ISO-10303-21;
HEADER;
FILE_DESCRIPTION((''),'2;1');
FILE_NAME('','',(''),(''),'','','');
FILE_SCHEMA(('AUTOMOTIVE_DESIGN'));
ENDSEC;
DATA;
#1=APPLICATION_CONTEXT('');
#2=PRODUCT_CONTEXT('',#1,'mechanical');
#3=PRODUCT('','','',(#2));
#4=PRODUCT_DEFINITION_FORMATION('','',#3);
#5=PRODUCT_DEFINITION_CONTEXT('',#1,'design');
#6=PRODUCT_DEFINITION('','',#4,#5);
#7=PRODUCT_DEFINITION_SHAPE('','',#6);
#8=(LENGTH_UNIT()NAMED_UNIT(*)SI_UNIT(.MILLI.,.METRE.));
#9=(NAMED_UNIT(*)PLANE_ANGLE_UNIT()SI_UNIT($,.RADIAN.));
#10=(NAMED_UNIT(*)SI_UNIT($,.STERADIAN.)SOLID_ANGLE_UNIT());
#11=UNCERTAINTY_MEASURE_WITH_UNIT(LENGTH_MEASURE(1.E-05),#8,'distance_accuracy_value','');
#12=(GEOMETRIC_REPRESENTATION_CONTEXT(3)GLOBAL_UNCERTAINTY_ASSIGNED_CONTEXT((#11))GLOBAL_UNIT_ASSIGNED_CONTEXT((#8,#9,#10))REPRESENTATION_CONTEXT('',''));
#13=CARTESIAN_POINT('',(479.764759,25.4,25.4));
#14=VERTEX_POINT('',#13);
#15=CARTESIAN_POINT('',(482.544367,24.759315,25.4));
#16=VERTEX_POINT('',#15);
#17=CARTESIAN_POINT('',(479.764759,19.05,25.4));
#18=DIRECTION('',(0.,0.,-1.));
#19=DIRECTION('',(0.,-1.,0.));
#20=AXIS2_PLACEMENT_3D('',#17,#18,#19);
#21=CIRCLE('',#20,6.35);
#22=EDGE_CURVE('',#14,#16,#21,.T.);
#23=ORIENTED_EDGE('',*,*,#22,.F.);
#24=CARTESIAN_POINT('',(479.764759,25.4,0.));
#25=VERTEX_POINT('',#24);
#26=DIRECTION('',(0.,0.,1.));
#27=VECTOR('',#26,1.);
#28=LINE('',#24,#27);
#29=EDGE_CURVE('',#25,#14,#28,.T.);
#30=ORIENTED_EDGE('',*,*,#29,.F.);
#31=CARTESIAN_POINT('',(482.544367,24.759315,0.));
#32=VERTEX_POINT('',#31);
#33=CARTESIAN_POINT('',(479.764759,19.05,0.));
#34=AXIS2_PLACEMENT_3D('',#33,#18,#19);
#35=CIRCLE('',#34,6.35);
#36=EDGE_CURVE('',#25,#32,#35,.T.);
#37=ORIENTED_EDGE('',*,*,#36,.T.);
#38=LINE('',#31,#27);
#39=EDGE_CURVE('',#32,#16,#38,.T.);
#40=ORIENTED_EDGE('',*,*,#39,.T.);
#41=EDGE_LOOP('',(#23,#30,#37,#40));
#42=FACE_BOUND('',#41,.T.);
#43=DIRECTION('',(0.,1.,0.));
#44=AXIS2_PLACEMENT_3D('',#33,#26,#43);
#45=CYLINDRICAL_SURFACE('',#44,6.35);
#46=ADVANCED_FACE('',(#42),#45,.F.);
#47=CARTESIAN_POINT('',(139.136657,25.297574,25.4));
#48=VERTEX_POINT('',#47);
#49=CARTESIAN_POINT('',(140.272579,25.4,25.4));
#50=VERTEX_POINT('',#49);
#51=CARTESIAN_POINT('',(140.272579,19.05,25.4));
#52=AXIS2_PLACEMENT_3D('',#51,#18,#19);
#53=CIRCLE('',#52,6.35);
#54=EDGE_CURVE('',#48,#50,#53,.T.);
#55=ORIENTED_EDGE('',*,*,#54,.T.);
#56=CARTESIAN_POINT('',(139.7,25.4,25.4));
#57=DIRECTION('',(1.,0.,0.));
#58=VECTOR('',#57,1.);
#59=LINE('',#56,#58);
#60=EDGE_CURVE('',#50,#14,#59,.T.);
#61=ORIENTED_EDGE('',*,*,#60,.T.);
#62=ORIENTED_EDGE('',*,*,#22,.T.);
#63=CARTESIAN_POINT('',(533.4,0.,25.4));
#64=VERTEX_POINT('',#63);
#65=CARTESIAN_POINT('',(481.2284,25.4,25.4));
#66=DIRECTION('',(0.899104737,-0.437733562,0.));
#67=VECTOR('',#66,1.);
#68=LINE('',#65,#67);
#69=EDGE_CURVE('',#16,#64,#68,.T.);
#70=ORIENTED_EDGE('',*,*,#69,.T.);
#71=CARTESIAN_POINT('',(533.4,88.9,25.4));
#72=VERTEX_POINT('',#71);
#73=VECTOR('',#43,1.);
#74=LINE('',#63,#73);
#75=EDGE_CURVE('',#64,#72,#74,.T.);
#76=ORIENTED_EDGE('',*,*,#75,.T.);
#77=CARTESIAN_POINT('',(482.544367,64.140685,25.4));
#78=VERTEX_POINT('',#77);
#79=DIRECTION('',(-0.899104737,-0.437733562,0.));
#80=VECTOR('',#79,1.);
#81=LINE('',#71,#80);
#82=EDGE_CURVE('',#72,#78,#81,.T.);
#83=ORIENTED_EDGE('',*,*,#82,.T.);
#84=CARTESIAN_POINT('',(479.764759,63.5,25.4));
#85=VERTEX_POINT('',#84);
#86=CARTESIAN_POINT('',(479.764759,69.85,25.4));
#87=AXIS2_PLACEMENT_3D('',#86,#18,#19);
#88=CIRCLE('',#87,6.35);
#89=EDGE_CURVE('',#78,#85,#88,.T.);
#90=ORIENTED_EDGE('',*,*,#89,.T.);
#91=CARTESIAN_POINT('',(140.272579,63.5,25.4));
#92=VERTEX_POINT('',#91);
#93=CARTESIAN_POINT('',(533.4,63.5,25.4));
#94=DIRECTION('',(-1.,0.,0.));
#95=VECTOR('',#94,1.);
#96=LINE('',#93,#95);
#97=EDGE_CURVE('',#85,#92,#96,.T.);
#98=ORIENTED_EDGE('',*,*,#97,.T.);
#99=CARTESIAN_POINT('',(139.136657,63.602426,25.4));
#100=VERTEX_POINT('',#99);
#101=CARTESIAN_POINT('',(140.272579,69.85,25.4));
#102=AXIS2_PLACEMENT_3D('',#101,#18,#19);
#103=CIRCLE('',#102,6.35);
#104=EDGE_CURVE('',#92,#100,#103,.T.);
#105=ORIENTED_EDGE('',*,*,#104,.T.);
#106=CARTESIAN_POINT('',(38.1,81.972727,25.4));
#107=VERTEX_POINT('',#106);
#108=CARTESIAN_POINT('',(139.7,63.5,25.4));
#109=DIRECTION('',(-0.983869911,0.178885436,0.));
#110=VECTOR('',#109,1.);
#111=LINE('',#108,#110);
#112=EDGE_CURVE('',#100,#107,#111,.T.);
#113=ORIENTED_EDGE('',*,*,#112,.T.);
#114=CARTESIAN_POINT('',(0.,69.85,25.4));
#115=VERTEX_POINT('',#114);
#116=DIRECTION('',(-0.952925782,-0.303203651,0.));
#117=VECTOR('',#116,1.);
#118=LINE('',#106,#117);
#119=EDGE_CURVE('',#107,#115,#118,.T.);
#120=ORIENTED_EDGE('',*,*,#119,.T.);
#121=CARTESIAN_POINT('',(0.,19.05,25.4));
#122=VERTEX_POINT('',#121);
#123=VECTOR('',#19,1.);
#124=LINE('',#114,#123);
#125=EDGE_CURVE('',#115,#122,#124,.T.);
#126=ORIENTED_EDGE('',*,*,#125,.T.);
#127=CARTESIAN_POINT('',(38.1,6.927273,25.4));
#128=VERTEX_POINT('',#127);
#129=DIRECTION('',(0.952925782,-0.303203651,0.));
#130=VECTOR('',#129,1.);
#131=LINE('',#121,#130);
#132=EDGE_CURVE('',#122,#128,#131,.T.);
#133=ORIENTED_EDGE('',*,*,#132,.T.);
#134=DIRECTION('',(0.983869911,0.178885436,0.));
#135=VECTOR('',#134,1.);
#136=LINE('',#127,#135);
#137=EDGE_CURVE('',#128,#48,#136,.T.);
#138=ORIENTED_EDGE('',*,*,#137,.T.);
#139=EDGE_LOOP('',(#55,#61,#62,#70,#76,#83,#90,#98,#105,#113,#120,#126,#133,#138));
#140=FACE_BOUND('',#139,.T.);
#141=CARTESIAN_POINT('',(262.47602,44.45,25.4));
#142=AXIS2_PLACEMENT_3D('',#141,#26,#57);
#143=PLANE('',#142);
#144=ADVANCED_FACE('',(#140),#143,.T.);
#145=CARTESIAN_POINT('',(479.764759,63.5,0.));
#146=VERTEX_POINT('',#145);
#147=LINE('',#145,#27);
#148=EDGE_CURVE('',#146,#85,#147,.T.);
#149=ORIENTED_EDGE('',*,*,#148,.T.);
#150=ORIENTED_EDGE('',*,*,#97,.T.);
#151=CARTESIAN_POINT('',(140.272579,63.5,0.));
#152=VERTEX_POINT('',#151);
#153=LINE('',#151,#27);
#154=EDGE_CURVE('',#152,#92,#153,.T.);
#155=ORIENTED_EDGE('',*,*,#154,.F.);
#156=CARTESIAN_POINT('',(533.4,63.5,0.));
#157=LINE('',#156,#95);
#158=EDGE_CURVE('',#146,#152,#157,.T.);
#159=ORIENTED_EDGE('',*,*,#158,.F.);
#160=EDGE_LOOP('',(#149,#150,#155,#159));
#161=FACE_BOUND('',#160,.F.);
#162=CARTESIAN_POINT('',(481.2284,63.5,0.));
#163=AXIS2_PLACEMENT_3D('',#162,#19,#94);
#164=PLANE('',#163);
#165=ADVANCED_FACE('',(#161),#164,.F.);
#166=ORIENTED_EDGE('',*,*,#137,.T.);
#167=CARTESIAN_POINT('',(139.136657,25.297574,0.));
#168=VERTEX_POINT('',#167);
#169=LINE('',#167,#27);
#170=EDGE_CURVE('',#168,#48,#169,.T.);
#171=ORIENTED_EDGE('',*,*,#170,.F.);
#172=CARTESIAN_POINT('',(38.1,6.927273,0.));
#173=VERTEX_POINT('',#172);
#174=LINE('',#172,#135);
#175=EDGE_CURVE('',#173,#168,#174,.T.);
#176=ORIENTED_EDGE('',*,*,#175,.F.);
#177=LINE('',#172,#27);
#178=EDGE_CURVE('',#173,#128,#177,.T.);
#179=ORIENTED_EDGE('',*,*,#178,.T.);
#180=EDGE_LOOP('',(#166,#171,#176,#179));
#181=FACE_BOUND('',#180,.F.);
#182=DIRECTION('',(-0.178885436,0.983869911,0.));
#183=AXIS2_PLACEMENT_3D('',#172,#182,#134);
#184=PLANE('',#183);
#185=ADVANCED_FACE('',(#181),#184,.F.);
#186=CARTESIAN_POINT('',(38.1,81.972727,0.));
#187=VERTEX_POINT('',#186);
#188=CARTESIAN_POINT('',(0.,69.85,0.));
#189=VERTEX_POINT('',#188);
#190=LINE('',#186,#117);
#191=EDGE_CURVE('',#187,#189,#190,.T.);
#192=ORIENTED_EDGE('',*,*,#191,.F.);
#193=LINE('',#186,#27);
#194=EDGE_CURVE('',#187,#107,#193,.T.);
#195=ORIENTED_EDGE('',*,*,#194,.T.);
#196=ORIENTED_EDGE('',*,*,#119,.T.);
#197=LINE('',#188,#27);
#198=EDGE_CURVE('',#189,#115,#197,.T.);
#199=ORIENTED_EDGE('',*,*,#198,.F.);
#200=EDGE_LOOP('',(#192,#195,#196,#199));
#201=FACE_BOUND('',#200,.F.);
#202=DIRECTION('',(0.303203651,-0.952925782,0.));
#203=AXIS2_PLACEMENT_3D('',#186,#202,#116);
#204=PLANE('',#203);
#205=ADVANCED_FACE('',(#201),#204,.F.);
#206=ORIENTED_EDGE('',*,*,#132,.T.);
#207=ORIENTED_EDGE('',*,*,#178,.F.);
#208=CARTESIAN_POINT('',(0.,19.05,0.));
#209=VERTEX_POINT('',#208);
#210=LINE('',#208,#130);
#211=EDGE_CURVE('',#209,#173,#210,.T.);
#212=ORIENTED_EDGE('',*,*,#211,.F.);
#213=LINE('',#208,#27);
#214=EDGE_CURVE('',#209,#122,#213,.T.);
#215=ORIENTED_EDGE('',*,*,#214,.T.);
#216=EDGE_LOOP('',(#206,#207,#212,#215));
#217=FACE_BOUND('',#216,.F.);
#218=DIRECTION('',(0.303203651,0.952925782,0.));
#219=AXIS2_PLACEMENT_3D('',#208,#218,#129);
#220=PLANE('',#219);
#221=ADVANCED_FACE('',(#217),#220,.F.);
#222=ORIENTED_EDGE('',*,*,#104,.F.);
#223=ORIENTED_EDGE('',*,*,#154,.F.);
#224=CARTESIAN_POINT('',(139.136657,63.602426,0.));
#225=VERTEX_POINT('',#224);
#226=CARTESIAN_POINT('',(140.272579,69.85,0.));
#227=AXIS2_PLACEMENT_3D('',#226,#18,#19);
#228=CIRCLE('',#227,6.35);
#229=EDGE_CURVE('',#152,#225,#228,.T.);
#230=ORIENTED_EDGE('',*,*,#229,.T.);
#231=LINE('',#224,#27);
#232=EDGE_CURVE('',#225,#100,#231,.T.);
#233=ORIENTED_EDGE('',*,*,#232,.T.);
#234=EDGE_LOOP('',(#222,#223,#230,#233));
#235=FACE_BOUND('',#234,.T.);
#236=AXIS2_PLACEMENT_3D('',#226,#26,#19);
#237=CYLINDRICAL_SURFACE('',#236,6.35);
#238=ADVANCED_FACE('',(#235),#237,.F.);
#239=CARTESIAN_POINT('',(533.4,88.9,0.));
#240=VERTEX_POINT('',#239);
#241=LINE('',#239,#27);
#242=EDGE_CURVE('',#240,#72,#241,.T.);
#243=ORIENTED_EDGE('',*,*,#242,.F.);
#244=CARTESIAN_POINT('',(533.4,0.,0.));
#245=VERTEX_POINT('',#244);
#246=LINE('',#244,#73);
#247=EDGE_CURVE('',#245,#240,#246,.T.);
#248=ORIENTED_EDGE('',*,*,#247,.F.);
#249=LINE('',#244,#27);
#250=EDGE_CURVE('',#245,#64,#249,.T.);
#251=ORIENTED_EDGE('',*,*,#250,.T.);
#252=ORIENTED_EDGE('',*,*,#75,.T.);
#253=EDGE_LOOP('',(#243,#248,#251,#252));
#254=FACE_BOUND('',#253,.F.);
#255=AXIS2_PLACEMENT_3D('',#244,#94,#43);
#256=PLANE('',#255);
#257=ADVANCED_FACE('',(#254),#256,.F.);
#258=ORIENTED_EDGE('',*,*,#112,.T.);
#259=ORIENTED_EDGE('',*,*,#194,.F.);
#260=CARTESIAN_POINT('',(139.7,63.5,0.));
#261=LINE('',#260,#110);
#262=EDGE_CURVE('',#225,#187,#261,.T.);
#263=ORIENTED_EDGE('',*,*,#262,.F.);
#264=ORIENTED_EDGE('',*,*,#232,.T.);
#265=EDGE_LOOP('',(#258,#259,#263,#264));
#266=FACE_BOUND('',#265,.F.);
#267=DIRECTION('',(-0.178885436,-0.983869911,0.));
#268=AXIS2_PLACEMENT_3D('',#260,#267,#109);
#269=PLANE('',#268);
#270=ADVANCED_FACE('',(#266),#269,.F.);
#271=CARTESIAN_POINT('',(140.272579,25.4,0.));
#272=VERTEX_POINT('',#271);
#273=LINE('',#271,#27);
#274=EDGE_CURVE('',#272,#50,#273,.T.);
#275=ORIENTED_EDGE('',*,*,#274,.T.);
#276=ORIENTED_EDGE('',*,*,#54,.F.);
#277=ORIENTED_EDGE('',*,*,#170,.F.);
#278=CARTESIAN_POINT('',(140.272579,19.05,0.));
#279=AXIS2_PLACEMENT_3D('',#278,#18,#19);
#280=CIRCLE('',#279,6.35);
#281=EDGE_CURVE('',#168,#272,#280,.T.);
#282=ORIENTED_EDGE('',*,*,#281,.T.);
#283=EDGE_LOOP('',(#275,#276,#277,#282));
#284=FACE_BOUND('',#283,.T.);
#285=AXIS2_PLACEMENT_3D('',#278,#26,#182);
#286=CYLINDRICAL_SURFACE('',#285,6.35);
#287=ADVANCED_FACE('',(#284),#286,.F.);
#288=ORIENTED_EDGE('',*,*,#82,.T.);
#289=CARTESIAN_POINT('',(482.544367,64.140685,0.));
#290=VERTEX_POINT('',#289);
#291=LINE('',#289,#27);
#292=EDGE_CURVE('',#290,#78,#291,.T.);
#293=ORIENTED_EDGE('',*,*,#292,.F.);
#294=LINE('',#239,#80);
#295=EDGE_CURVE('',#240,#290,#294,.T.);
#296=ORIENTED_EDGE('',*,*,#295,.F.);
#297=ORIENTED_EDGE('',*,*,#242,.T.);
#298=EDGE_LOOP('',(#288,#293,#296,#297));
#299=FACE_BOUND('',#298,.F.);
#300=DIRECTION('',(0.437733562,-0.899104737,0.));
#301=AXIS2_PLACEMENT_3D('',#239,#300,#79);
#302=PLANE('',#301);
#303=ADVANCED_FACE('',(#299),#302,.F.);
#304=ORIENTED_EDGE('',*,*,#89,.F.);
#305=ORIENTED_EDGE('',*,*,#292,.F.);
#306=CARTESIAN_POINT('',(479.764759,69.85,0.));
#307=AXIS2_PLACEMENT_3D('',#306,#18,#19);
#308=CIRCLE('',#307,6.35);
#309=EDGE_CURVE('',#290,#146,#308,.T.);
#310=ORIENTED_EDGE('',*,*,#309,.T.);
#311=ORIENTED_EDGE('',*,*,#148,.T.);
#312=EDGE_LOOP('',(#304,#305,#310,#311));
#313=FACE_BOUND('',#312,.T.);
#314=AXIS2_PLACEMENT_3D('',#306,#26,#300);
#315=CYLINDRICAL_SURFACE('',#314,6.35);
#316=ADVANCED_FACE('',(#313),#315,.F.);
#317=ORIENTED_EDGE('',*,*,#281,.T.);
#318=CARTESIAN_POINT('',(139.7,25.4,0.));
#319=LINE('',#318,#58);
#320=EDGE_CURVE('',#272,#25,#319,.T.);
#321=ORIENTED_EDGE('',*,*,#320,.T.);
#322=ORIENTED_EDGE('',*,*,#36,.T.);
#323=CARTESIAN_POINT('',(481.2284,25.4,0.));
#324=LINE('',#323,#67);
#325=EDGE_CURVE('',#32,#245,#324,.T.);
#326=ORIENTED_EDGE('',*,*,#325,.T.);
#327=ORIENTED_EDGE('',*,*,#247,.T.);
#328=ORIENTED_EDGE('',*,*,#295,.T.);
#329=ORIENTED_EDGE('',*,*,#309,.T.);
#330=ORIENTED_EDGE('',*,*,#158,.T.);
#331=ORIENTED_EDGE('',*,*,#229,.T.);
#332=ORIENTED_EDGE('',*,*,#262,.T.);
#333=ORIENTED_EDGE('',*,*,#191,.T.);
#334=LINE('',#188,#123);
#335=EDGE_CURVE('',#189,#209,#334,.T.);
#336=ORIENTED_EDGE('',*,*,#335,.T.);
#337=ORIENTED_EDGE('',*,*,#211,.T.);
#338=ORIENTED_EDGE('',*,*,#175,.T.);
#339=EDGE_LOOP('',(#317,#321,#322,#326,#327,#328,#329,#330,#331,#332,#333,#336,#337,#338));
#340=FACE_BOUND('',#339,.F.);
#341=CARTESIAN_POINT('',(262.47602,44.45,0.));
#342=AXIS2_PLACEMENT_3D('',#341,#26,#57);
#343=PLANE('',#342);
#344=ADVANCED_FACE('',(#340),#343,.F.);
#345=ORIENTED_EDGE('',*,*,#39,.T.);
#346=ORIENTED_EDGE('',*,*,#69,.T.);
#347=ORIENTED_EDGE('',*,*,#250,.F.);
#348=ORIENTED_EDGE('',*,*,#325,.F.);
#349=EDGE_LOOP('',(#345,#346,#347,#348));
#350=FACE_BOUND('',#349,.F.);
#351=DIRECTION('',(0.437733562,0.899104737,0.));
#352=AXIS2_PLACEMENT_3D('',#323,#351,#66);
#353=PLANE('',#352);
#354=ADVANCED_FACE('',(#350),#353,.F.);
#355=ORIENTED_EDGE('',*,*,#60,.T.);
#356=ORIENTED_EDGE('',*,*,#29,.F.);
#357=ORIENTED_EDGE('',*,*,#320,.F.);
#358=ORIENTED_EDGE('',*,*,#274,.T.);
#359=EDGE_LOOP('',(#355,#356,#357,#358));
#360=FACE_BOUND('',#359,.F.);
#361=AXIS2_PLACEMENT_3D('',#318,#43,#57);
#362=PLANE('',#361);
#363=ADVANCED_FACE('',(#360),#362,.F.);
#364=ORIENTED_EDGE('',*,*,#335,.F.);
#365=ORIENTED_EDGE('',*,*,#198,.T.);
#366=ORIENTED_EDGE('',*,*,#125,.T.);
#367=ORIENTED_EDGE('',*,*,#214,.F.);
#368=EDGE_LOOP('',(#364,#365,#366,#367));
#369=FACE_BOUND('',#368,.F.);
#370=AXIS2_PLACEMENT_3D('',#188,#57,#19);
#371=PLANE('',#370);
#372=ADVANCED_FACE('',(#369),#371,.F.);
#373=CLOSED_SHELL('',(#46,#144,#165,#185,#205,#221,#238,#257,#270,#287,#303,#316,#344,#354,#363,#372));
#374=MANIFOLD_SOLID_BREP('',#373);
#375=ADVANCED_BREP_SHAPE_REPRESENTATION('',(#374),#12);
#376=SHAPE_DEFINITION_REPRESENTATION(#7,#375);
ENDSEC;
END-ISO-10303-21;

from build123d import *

# Parameters (mm, degrees)
F1_DEPTH = 25.4
F2_R     = 6.35


with BuildPart() as f1:
    # F0 (on Top) → F1 (new body)
    with BuildSketch(Plane.XY):
        Polygon((0, 69.85), (0, 19.05), (38.1, 6.927273), (139.7, 25.4), (481.2284, 25.4), (533.4, 25.4), (533.4, 63.5), (481.2284, 63.5), (139.7, 63.5), (38.1, 81.972727), align=None)
        Polygon((481.2284, 25.4), (533.4, 0), (533.4, 25.4), align=None)
        Polygon((481.2284, 63.5), (533.4, 63.5), (533.4, 88.9), align=None)
    extrude(amount=F1_DEPTH)

    # F2
    f2_edges = [f1.edges().sort_by_distance(p)[0] for p in [
        (139.7, 63.5, 12.7),
        (481.2284, 63.5, 12.7),
        (139.7, 25.4, 12.7),
        (481.2284, 25.4, 12.7),
    ]]
    fillet(f2_edges, radius=F2_R)


solid = f1.part
